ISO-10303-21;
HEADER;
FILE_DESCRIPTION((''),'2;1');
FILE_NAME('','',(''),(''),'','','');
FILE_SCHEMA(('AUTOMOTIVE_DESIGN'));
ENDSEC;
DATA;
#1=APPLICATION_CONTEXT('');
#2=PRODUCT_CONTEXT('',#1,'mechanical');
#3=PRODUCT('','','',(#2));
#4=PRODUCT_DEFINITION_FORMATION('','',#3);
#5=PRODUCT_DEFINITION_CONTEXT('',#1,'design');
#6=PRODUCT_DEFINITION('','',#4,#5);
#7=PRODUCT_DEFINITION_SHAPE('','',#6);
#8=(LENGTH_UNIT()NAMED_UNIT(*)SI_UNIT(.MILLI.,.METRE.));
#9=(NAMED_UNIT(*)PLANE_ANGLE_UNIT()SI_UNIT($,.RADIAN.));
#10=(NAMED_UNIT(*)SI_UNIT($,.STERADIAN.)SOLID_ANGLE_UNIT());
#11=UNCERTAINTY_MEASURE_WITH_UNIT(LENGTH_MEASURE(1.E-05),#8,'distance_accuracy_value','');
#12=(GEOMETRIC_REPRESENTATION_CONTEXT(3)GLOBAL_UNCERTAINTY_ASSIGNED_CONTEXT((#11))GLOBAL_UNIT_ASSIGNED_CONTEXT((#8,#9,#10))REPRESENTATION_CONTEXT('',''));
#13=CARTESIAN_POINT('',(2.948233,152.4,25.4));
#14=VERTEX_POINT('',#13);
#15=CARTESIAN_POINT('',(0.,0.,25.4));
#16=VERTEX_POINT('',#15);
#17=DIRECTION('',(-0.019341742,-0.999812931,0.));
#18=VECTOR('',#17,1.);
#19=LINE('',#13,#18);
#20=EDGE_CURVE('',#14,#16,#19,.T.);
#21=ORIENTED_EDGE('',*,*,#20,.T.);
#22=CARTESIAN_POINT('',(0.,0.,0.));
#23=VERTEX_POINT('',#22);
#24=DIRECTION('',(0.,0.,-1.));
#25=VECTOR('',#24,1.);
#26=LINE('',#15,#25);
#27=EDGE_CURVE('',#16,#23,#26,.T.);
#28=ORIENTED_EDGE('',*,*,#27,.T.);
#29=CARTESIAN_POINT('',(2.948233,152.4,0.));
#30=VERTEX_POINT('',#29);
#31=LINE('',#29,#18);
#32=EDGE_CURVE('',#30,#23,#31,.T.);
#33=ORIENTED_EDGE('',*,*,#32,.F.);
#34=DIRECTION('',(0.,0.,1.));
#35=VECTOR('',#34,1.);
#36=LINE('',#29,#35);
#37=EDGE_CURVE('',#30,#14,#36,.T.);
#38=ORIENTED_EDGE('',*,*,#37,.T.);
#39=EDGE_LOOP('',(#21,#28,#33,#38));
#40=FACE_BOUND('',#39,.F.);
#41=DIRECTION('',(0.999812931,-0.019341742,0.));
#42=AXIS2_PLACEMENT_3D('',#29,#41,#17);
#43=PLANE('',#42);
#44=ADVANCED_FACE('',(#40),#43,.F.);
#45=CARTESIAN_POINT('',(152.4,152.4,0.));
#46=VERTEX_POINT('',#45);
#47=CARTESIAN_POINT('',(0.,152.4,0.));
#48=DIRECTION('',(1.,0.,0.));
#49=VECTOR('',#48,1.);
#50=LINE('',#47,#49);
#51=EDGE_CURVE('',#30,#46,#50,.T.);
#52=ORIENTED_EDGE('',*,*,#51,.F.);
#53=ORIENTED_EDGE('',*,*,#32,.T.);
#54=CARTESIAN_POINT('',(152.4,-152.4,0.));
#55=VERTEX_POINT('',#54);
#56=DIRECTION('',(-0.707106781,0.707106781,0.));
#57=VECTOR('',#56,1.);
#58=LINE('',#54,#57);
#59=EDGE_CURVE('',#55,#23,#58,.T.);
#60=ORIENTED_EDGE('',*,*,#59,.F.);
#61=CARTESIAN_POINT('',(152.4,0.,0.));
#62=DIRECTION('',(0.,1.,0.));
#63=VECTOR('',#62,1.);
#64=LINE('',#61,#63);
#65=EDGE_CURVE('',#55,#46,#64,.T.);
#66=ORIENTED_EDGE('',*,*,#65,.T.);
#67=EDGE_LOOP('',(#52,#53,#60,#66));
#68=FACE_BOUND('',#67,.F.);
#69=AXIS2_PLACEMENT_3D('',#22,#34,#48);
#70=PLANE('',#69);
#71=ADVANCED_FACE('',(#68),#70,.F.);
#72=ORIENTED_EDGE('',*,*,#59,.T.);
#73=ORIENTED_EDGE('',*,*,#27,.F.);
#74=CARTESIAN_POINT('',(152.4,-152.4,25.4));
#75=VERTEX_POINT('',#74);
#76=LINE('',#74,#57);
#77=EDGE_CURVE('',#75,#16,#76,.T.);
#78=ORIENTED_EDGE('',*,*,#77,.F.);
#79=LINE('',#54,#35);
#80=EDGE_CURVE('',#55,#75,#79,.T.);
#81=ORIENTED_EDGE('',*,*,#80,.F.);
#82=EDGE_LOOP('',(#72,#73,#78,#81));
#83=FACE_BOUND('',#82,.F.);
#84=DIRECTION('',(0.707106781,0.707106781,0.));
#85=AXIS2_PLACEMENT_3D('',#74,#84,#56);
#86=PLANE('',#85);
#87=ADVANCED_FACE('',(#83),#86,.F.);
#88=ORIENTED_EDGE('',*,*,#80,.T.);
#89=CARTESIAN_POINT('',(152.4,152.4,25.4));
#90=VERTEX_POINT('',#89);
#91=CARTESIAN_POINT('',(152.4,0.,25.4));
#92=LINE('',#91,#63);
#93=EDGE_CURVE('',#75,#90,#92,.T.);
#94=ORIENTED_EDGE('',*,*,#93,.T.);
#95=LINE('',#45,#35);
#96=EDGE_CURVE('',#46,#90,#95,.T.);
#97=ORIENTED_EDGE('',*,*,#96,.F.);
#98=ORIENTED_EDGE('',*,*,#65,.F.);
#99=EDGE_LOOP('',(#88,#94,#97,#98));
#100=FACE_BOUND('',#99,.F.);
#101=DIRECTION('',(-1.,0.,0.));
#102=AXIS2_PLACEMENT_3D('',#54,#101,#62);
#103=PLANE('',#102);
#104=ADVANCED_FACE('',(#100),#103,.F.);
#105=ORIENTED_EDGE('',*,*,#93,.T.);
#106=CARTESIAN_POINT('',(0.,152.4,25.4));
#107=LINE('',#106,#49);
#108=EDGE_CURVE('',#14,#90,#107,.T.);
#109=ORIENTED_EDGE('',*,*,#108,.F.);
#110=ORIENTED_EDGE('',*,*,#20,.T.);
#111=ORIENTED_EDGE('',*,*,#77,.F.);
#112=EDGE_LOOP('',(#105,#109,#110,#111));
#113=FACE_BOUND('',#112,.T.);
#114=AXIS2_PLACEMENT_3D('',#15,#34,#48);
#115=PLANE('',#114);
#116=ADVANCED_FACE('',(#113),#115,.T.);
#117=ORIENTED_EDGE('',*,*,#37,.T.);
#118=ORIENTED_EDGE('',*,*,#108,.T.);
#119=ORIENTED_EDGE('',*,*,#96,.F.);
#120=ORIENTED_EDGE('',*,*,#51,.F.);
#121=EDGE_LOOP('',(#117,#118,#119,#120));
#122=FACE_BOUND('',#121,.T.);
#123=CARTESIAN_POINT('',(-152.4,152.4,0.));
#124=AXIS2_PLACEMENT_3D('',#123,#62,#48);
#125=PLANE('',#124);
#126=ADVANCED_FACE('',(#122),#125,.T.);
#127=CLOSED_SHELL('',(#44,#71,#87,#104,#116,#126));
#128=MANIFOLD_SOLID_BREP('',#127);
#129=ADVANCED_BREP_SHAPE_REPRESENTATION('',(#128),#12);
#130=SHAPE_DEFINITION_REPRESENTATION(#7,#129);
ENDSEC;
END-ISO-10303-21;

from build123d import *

# Parameters (mm, degrees)
F0_W     = 304.8
F0_H     = 304.8
F1_DEPTH = 25.4
F3_DEPTH = 25.4
F5_DEPTH = 25.4


with BuildPart() as f1:
    # F0 (on Top) → F1 (new body)
    with BuildSketch(Plane.XY):
        Rectangle(F0_W, F0_H)
    extrude(amount=F1_DEPTH)

    # F2 (on face) → F3 (cut)
    with BuildSketch(Plane.XY.offset(25.4)):
        Polygon((152.4, -152.4), (0, 0), (-152.4, -152.4), align=None)
    extrude(amount=-F3_DEPTH, mode=Mode.SUBTRACT)

    # F4 (on face) → F5 (cut)
    with BuildSketch(Plane(origin=(0, 0, 0), x_dir=(1, 0, 0), z_dir=(0, 0, -1))):
        Polygon((2.948233, -152.4), (0, 0), (-152.4, 152.4), (-152.4, -152.4), align=None)
    extrude(amount=-F5_DEPTH, mode=Mode.SUBTRACT)


solid = f1.part
